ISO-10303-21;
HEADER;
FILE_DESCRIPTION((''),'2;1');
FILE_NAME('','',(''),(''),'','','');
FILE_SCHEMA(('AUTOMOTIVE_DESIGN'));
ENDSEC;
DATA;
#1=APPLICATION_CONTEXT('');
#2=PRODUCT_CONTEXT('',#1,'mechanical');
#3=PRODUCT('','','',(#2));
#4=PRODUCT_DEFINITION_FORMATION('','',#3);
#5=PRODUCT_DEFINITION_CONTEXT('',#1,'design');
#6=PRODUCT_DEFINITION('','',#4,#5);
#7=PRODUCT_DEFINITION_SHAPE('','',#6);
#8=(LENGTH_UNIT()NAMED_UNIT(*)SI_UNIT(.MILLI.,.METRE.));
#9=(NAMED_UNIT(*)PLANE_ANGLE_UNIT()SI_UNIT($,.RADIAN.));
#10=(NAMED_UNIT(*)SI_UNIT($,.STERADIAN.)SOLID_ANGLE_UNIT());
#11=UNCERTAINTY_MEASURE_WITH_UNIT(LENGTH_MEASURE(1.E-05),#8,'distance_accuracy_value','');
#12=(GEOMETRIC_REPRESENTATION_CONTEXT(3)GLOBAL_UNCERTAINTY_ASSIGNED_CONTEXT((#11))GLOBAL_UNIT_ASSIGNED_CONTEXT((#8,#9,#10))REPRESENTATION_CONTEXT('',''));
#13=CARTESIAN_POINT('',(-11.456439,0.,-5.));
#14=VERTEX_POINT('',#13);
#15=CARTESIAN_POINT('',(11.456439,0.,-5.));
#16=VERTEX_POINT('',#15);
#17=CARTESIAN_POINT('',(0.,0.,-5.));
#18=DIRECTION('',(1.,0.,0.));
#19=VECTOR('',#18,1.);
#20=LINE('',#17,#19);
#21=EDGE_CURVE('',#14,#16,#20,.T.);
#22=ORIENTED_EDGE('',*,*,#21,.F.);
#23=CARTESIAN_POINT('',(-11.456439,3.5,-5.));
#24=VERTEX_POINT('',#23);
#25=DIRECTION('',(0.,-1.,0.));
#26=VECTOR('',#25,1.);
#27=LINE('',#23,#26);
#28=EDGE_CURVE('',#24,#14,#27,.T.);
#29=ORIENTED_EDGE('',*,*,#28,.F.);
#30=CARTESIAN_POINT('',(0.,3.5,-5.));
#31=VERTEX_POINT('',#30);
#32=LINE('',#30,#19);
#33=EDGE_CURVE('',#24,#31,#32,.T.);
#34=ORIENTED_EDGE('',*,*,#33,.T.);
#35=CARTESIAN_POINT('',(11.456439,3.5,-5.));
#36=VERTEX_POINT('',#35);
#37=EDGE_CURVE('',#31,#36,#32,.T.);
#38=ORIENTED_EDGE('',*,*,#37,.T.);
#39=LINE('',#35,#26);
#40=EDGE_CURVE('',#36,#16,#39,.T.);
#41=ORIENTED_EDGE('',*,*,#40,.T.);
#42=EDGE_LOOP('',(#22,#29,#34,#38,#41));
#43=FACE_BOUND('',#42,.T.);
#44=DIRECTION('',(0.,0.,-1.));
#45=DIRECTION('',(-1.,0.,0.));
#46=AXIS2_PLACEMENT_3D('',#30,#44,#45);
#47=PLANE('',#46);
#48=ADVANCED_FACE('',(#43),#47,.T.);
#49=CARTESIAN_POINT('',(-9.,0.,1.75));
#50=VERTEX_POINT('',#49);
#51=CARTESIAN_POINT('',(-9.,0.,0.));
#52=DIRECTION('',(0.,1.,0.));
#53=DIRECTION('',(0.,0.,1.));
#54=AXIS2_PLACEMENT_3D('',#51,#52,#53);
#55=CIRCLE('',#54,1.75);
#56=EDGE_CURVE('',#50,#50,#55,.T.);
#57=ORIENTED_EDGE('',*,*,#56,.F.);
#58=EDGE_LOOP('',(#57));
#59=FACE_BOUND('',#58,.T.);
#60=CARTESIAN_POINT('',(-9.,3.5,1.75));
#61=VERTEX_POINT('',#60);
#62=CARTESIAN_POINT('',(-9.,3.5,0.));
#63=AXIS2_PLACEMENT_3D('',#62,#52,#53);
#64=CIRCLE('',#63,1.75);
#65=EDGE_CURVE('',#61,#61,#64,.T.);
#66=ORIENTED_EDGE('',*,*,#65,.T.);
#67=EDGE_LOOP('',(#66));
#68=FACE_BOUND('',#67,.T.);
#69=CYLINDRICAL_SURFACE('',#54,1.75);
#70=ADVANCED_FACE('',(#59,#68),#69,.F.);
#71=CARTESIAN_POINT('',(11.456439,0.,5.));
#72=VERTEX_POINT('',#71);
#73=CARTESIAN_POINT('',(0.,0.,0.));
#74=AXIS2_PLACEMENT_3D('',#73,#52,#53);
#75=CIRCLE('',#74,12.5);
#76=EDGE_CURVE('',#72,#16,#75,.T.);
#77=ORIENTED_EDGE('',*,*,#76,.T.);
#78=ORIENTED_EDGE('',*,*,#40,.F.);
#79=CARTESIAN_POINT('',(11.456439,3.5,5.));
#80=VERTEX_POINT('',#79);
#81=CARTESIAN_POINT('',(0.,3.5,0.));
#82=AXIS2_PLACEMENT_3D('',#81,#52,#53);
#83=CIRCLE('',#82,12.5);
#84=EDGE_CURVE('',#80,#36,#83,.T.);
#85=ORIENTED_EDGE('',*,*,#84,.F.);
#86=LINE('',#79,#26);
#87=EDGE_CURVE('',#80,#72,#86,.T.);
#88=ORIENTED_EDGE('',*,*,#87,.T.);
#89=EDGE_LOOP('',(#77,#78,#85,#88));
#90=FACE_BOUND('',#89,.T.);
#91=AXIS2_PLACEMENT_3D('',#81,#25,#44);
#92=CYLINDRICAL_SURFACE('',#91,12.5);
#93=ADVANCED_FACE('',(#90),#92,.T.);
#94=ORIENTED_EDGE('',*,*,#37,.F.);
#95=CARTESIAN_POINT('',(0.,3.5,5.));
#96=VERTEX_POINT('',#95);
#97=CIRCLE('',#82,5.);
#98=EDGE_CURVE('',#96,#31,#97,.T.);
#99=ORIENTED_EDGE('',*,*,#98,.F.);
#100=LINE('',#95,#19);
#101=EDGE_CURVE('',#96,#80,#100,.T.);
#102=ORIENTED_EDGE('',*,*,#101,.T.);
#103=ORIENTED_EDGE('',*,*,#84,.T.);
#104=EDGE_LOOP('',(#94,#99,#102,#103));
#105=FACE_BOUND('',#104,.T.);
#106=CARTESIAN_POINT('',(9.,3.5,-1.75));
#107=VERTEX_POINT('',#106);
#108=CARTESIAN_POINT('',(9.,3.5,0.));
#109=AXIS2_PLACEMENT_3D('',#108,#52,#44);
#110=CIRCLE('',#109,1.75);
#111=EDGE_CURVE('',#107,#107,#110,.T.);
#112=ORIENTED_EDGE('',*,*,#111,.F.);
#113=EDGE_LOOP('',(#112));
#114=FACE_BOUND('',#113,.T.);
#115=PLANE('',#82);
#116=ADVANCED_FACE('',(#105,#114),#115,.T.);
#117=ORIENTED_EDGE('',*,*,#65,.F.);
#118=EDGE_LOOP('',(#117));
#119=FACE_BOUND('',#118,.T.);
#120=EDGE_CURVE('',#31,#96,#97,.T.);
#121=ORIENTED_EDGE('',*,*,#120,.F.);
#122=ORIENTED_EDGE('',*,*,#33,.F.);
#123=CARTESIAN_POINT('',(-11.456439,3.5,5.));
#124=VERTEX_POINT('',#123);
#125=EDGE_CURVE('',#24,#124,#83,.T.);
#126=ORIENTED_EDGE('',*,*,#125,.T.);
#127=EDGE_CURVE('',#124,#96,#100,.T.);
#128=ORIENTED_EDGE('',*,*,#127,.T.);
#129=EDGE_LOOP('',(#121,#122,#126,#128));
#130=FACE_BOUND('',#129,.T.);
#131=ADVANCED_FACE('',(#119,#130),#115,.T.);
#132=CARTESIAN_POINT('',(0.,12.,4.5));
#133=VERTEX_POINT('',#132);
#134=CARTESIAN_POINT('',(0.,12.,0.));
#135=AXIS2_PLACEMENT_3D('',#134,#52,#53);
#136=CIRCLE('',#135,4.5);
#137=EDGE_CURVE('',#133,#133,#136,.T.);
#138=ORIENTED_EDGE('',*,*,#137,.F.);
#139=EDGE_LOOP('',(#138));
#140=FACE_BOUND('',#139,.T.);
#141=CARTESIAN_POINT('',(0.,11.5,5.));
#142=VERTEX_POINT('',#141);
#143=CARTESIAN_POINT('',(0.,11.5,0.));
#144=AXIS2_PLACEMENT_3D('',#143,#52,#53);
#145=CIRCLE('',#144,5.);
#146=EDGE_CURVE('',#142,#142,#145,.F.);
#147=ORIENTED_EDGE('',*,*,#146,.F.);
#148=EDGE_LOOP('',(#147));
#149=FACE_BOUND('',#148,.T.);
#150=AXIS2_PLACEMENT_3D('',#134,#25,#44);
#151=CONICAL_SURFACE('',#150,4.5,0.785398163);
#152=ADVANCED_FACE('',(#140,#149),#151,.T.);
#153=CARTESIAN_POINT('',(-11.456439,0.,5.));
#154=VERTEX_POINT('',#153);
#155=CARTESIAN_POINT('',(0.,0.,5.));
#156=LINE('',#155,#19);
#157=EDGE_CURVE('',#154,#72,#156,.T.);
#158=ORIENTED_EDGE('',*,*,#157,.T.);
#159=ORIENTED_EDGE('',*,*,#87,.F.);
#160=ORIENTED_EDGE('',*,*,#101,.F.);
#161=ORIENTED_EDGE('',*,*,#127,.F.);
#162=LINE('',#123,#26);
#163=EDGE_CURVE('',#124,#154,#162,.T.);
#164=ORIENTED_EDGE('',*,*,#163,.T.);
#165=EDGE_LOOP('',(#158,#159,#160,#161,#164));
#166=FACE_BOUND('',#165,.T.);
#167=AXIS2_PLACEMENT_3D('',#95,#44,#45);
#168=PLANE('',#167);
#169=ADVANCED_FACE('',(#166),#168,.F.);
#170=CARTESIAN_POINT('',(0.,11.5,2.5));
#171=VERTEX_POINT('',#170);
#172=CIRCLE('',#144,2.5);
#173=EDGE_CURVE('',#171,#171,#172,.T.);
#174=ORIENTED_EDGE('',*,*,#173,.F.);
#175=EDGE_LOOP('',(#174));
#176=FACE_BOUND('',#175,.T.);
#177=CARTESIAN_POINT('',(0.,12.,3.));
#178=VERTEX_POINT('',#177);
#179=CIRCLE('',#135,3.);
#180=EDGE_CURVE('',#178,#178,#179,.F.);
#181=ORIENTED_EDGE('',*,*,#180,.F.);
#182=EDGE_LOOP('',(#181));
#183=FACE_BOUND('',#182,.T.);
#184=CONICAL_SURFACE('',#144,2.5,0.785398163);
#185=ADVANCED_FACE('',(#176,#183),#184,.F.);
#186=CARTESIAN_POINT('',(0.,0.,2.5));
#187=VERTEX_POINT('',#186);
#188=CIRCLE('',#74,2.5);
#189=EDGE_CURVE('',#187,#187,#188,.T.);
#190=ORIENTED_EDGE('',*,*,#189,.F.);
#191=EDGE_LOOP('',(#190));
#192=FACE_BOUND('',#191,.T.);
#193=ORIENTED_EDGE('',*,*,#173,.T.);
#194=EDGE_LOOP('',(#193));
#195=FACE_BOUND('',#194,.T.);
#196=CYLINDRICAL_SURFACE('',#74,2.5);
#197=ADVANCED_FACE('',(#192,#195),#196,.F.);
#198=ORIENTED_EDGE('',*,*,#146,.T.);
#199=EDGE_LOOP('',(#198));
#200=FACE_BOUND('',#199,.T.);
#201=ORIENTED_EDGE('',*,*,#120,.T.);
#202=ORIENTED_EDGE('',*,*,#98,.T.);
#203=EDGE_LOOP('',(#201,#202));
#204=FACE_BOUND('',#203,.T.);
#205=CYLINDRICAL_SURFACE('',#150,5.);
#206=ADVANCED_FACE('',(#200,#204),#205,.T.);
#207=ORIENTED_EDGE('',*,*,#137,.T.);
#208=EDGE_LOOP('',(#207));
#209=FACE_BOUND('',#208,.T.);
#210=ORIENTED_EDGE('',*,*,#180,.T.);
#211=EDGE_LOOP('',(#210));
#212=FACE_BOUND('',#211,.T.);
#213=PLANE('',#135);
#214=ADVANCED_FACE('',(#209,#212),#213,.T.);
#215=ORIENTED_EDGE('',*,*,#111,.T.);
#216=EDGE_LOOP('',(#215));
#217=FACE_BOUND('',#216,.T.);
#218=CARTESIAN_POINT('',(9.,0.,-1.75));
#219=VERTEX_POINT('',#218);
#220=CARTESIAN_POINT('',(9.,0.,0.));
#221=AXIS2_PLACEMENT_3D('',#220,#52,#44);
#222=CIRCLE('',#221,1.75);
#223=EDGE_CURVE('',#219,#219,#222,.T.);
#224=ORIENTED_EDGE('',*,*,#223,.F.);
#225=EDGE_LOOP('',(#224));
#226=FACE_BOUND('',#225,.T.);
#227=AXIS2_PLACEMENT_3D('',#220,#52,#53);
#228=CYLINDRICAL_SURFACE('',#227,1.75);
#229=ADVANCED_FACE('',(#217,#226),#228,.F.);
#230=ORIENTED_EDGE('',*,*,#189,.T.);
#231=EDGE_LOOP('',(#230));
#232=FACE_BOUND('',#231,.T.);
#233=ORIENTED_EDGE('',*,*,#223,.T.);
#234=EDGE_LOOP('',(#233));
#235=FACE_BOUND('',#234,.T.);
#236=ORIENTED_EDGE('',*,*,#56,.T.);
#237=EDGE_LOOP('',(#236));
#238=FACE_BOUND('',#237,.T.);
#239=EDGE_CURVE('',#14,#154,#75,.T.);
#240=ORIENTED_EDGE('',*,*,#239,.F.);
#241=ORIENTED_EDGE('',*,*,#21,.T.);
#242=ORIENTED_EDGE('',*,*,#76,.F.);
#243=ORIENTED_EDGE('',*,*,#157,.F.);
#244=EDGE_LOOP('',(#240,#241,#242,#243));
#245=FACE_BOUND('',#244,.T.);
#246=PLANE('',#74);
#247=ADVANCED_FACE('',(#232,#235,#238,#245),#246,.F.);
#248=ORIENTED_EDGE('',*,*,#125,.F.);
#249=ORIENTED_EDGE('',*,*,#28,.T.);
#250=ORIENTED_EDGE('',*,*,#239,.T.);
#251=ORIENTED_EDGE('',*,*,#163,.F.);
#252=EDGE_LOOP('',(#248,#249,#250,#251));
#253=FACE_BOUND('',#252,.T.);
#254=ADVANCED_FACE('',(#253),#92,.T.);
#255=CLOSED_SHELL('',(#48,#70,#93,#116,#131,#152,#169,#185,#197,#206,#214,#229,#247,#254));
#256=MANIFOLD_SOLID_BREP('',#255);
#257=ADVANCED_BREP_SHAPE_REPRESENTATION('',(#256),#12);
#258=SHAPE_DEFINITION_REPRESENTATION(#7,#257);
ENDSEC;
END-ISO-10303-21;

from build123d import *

# Parameters (mm, degrees)
EXTRUDE_1_DEPTH     = 3.5
SKETCH_2_R          = 5
EXTRUDE_2_DEPTH     = 8.5
SKETCH_3_R          = 2.5
CUT_EXTRUDE_1_DEPTH = 19.034688797
SKETCH_4_R          = 1.75
CUT_EXTRUDE_2_DEPTH = 16.921683328
CHAMFER_1_SIZE      = 0.5


with BuildPart() as part:
    # 草图1 → 凸台-拉伸1 (new body)
    with BuildSketch(Plane(origin=(0, 0, 0), x_dir=(1, 0, 0), z_dir=(0, 1, 0))):
        with BuildLine():
            ThreePointArc((-11.456439237, 5), (-12.236328912, 2.553870546), (-12.5, 0))
            Line((-12.5, 0), (12.5, 0))
            ThreePointArc((12.5, 0), (12.236328912, 2.553870546), (11.456439237, 5))
            Line((11.456439237, 5), (-11.456439237, 5))
        make_face()
        with BuildLine():
            Line((12.5, 0), (-12.5, 0))
            ThreePointArc((-12.5, 0), (-12.236328912, -2.553870546), (-11.456439237, -5))
            Line((-11.456439237, -5), (11.456439237, -5))
            ThreePointArc((11.456439237, -5), (12.236328912, -2.553870546), (12.5, 0))
        make_face()
    extrude(amount=EXTRUDE_1_DEPTH)

    # 草图2 → 凸台-拉伸2 (add)
    with BuildSketch(Plane(origin=(0, 3.5, 0), x_dir=(1, 0, 0), z_dir=(0, 1, 0))):
        with Locations(Location((0, 0, 0), (0, 0, 270))):
            Circle(SKETCH_2_R)
    extrude(amount=EXTRUDE_2_DEPTH)

    # 草图3 → 切除-拉伸1 (cut, through all)
    with BuildSketch(Plane(origin=(0, 12, 0), x_dir=(1, 0, 0), z_dir=(0, 1, 0))):
        with Locations(Location((0, 0, 0), (0, 0, 270))):
            Circle(SKETCH_3_R)
    extrude(amount=-CUT_EXTRUDE_1_DEPTH, mode=Mode.SUBTRACT)

    # 草图4 → 切除-拉伸2 (cut, through all)
    with BuildSketch(Plane(origin=(0, 3.5, 0), x_dir=(1, 0, 0), z_dir=(0, 1, 0))):
        with Locations(Location((-9, 0, 0), (0, 0, 270))):
            Circle(SKETCH_4_R)
        with Locations(Location((9, 0, 0), (0, 0, 90))):
            Circle(SKETCH_4_R)
    extrude(amount=-CUT_EXTRUDE_2_DEPTH, mode=Mode.SUBTRACT)

    # 倒角1
    chamfer_1_edges = [part.edges().sort_by_distance(p)[0] for p in [
        (0, 12, -5),
        (0, 12, -2.5),
    ]]
    chamfer(chamfer_1_edges, length=CHAMFER_1_SIZE)


solid = part.part
